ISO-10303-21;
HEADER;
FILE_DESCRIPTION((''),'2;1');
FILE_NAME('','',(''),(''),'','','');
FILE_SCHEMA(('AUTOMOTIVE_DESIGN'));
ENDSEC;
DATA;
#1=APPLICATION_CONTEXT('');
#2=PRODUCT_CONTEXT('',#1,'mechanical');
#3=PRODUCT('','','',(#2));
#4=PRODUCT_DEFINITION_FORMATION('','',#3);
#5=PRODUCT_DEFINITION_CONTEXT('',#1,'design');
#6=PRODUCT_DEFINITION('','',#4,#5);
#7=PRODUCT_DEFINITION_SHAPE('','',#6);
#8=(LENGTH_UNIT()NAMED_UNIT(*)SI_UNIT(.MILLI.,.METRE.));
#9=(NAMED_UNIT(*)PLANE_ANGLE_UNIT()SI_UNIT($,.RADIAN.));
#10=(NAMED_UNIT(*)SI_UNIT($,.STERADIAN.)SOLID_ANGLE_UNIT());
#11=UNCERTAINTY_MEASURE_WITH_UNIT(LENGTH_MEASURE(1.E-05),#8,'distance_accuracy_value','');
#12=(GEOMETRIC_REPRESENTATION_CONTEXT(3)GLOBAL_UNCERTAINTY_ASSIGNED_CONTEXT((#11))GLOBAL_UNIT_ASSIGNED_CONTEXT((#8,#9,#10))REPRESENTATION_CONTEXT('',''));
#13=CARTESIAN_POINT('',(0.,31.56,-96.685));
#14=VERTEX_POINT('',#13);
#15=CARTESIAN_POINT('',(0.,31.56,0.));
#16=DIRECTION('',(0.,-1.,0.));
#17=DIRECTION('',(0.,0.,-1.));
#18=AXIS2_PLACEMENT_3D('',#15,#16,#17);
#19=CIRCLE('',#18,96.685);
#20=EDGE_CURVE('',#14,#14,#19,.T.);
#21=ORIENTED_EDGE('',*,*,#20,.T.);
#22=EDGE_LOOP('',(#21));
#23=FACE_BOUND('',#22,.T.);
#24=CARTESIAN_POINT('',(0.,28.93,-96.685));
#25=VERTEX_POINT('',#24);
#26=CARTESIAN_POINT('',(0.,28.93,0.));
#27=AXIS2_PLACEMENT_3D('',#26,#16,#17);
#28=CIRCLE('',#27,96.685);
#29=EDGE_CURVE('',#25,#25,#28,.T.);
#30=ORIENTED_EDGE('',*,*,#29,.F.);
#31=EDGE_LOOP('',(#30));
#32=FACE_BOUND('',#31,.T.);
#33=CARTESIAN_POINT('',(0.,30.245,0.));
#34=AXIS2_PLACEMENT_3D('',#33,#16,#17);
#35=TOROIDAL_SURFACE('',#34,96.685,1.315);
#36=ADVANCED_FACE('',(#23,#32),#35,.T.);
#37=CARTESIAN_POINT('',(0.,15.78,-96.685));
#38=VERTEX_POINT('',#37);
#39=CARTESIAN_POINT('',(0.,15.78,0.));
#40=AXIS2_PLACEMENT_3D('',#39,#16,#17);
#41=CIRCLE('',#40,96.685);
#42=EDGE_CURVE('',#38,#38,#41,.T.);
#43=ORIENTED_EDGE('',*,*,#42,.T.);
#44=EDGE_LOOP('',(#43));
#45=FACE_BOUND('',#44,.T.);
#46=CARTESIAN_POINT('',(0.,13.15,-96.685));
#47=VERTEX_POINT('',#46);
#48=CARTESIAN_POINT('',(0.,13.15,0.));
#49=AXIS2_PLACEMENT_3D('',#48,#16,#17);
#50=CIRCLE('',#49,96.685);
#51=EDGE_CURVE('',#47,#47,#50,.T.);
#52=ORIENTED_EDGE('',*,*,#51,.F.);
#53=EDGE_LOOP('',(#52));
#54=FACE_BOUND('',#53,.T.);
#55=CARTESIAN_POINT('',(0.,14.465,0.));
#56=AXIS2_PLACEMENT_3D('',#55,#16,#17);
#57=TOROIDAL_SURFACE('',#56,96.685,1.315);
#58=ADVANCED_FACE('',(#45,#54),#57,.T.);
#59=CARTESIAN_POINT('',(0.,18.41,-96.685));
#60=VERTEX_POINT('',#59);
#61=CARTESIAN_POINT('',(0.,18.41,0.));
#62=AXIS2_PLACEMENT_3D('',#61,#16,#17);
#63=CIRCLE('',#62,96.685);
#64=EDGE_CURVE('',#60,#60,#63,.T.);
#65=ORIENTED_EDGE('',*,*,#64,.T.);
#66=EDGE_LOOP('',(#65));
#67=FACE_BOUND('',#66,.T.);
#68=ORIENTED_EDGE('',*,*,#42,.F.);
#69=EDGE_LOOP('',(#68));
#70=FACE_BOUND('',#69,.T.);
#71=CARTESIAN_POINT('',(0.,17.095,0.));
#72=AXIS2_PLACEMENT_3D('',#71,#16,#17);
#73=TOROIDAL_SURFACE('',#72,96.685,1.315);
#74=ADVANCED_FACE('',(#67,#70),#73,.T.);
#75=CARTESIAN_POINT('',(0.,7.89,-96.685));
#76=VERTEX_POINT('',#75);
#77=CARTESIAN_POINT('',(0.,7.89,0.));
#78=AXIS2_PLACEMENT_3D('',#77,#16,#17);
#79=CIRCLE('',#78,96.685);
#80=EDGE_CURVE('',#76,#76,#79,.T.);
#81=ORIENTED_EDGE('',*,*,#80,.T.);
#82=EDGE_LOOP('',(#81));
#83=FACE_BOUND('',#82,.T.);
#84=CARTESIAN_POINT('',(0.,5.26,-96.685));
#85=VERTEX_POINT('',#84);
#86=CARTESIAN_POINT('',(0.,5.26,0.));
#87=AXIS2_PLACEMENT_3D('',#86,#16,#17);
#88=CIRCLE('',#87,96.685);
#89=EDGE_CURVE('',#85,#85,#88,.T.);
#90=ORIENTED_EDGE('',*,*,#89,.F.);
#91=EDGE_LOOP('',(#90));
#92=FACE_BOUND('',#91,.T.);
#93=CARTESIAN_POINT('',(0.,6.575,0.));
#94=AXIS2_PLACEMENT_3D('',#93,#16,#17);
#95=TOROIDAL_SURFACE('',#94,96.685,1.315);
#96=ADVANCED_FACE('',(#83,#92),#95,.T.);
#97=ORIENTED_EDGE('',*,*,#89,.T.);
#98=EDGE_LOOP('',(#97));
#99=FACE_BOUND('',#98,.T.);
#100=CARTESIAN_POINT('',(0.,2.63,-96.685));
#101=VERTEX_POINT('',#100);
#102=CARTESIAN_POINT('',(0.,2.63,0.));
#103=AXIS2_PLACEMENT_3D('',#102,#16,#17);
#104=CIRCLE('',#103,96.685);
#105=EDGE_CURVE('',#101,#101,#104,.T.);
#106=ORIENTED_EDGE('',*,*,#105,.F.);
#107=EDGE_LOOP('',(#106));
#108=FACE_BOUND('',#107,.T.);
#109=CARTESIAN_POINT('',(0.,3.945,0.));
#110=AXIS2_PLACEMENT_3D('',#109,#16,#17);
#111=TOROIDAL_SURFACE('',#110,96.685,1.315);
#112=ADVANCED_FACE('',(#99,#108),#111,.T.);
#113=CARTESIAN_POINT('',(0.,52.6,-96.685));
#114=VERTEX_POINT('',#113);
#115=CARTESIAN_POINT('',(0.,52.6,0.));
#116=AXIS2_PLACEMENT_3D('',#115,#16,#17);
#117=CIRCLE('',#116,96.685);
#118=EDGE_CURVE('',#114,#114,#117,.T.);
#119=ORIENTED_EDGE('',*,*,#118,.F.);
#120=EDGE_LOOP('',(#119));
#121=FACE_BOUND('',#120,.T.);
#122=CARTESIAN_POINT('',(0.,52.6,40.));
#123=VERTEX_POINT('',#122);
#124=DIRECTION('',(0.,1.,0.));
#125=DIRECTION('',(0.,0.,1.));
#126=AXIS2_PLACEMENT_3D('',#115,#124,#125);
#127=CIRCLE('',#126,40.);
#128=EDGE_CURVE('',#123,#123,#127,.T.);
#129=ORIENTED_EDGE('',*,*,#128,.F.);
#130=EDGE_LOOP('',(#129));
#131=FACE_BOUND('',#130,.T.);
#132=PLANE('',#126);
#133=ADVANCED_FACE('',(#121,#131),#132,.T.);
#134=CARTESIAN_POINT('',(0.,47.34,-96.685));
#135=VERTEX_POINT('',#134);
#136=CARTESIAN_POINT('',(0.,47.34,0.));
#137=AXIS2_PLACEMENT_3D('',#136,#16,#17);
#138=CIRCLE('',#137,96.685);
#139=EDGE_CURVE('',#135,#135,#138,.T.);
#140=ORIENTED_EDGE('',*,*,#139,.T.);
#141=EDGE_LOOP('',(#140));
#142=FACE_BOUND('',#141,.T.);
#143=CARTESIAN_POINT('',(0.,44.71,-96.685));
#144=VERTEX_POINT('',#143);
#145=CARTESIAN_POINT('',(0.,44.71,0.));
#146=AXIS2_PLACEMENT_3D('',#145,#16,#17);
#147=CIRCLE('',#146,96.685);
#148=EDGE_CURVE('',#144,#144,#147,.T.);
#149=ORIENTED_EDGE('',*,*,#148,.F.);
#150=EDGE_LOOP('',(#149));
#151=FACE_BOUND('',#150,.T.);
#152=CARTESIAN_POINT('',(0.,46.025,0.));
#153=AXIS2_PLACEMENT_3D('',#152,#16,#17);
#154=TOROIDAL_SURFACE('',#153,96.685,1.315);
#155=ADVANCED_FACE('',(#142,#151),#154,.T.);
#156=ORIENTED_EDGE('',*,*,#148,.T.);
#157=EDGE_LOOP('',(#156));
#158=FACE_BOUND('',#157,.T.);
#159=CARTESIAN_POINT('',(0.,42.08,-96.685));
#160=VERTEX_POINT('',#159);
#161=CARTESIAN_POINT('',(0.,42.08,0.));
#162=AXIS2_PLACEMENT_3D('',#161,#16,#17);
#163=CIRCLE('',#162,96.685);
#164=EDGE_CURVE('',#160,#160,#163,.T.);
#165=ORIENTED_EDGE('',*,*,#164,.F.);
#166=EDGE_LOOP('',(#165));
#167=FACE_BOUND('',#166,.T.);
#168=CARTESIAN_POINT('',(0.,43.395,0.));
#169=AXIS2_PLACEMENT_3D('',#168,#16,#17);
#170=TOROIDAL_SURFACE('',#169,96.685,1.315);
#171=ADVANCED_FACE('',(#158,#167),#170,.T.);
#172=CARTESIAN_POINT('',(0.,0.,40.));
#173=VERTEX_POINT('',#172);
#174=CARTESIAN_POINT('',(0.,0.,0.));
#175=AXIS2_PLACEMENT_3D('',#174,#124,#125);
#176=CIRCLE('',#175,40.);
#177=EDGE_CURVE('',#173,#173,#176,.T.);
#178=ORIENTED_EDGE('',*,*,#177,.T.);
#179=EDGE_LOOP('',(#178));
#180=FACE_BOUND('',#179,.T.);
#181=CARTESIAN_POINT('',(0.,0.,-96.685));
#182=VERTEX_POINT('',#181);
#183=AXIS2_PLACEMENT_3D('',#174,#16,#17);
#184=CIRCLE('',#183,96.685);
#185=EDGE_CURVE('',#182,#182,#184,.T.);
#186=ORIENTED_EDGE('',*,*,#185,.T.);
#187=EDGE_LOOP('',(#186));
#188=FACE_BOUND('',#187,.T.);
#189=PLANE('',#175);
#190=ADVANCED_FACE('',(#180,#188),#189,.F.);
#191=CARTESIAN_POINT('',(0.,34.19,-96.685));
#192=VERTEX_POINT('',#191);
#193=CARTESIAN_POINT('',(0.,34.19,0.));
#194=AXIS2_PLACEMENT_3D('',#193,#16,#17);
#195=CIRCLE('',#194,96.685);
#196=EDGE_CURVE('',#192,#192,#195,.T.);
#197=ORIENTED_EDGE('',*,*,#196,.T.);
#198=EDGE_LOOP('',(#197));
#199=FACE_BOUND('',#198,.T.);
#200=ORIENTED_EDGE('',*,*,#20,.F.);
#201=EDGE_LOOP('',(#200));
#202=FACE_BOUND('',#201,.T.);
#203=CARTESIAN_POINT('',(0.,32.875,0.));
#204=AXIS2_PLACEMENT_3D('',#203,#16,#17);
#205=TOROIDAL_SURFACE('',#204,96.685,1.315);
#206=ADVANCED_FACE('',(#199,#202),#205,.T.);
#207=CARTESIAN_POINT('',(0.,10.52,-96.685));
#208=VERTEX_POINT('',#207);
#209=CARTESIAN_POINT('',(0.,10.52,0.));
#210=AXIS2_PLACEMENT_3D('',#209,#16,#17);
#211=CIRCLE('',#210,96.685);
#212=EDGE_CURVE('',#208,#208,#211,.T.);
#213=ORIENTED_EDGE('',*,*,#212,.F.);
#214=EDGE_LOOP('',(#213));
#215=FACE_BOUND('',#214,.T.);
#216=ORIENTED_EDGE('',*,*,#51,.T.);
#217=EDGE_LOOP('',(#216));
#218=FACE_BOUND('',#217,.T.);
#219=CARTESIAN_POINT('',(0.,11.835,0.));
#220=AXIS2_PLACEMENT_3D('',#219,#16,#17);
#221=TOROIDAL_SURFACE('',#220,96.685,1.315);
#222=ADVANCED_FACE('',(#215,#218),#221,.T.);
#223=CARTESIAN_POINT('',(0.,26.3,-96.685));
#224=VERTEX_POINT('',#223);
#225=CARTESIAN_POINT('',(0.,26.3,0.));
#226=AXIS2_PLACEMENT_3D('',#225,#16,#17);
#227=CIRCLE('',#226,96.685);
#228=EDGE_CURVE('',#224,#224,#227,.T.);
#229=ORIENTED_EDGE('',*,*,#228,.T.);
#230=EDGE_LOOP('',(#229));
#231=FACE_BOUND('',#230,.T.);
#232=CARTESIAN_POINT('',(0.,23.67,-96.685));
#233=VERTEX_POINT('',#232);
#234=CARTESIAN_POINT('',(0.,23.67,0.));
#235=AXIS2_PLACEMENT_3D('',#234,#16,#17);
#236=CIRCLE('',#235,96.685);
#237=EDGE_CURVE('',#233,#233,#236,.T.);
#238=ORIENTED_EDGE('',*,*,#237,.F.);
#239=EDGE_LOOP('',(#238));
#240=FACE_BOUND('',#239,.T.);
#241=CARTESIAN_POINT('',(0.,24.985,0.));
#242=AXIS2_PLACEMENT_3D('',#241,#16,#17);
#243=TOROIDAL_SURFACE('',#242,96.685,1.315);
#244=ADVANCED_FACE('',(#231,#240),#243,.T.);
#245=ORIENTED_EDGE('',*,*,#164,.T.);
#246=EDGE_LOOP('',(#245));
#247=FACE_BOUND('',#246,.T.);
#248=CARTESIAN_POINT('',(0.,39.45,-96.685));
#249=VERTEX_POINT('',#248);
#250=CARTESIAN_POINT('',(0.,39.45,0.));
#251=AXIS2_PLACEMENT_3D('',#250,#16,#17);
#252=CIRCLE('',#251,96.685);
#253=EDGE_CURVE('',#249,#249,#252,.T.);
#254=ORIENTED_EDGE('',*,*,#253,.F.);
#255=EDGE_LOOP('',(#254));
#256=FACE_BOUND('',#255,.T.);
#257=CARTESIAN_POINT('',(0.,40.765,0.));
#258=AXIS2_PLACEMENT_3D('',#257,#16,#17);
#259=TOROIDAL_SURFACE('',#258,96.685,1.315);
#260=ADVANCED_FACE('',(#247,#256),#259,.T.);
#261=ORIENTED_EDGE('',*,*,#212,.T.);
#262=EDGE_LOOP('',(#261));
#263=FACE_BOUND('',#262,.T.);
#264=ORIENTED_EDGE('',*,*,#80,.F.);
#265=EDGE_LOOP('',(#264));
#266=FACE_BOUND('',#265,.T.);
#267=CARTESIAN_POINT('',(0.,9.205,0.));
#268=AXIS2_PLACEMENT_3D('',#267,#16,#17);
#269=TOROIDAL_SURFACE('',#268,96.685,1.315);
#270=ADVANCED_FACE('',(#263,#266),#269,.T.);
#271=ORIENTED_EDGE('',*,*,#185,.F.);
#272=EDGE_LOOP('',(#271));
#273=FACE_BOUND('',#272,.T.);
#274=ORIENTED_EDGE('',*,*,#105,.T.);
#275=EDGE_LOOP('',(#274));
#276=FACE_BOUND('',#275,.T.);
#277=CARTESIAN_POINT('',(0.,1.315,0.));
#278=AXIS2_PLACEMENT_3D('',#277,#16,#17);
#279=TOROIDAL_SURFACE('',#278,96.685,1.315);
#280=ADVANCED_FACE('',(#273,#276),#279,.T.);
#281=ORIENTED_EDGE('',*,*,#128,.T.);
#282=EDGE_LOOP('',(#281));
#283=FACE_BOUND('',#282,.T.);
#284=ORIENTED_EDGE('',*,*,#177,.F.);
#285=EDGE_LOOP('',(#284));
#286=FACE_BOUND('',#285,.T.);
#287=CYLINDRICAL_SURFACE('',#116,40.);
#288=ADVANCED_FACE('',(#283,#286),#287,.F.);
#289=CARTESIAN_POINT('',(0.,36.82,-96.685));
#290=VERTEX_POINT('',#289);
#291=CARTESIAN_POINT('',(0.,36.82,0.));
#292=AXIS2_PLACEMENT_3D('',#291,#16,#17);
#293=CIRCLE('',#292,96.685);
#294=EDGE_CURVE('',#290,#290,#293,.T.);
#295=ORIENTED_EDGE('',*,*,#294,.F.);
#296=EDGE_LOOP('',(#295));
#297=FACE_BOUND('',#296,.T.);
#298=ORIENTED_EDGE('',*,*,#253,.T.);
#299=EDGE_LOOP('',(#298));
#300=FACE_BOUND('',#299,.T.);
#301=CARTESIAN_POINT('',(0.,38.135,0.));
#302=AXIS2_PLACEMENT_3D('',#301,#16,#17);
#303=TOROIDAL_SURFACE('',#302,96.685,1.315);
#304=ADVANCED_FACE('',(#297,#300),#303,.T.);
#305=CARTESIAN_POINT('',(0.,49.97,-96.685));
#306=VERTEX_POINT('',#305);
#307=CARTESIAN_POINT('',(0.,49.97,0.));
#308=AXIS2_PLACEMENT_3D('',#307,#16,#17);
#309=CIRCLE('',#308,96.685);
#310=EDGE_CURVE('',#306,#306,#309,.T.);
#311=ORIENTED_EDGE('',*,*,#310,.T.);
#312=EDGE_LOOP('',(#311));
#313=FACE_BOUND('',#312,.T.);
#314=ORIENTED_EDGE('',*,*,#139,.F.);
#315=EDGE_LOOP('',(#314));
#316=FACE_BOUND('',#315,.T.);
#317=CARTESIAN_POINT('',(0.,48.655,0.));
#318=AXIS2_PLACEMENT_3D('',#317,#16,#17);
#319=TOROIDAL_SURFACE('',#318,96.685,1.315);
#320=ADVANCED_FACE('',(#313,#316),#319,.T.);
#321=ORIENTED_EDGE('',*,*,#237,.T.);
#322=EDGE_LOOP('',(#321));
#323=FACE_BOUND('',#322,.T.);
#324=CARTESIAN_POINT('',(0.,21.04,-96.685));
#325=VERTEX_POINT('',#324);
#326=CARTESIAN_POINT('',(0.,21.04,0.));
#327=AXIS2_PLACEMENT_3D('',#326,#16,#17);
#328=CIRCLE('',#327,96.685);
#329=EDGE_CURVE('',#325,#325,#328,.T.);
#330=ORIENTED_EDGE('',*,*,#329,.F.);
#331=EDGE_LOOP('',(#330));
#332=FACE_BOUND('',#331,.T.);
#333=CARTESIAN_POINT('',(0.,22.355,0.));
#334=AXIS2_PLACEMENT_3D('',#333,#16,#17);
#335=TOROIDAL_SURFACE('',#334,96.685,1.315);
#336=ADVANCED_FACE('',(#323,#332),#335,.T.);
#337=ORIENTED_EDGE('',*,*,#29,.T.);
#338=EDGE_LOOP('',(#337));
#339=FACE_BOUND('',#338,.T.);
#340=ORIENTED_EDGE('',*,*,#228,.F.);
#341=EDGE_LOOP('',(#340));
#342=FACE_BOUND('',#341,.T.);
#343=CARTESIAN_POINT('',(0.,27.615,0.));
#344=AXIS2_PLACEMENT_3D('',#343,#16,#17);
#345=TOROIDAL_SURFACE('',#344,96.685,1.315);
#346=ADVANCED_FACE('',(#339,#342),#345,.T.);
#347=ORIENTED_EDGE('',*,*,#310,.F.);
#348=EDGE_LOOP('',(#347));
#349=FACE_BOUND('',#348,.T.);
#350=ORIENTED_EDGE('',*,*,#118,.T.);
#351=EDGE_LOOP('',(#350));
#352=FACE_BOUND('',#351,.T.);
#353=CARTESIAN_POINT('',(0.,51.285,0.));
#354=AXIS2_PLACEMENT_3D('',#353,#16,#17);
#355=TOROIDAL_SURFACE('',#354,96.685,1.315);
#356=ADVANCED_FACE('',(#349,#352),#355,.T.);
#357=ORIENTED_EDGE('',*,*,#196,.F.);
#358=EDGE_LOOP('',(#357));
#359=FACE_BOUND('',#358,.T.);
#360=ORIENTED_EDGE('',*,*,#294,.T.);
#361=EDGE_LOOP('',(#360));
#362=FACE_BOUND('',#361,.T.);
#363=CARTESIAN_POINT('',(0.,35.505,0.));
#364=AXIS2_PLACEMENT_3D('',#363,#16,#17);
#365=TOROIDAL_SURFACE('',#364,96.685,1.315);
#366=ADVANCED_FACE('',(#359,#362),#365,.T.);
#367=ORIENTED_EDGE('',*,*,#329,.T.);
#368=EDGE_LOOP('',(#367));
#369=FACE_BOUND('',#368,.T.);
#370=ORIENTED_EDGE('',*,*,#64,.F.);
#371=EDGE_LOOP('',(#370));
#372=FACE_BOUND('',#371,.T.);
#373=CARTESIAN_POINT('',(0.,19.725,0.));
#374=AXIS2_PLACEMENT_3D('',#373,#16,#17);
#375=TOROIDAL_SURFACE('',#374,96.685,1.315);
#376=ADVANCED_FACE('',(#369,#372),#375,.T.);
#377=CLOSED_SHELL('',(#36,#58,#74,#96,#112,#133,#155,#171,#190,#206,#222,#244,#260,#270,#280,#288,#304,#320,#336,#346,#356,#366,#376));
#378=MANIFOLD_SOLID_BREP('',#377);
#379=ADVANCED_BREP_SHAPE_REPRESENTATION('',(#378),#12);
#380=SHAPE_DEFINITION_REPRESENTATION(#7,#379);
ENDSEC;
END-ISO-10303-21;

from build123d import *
from build123d.topology import SkipClean

# Parameters (mm, degrees)
SKETCH1_R           = 98
SKETCH1_R_2         = 40
BOSS_EXTRUDE1_DEPTH = 52.6


with BuildPart() as part:
    # Sketch1 → Boss-Extrude1 (new body)
    with BuildSketch(Plane(origin=(0, 0, 0), x_dir=(1, 0, 0), z_dir=(0, 1, 0))):
        with Locations(Location((0, 0, 0), (0, 0, 270))):
            Circle(SKETCH1_R)
        with Locations(Location((0, 0, 0), (0, 0, 270))):
            Circle(SKETCH1_R_2, mode=Mode.SUBTRACT)
    extrude(amount=BOSS_EXTRUDE1_DEPTH)

    # Sketch2 → Cut-Revolve1 (revolve, cut)
    with SkipClean():  # the faces are left unmerged after this step: merging them gives an invalid solid
        with BuildSketch(Plane.XY, mode=Mode.PRIVATE) as cut_revolve1_sk:
            with BuildLine():
                Line((-101.547865046, 52.6), (-101.547865046, 0))
                Line((-101.547865046, 0), (-96.685, 0))
                ThreePointArc((-96.685, 0), (-98, 1.315), (-96.685, 2.63))
                ThreePointArc((-96.685, 2.63), (-98, 3.945), (-96.685, 5.26))
                ThreePointArc((-96.685, 5.26), (-98, 6.575), (-96.685, 7.89))
                ThreePointArc((-96.685, 7.89), (-98, 9.205), (-96.685, 10.52))
                ThreePointArc((-96.685, 10.52), (-98, 11.835), (-96.685, 13.15))
                ThreePointArc((-96.685, 13.15), (-98, 14.465), (-96.685, 15.78))
                ThreePointArc((-96.685, 15.78), (-98, 17.095), (-96.685, 18.41))
                ThreePointArc((-96.685, 18.41), (-98, 19.725), (-96.685, 21.04))
                ThreePointArc((-96.685, 21.04), (-98, 22.355), (-96.685, 23.67))
                ThreePointArc((-96.685, 23.67), (-98, 24.985), (-96.685, 26.3))
                ThreePointArc((-96.685, 26.3), (-98, 27.615), (-96.685, 28.93))
                ThreePointArc((-96.685, 28.93), (-98, 30.245), (-96.685, 31.56))
                ThreePointArc((-96.685, 31.56), (-98, 32.875), (-96.685, 34.19))
                ThreePointArc((-96.685, 34.19), (-98, 35.505), (-96.685, 36.82))
                ThreePointArc((-96.685, 36.82), (-98, 38.135), (-96.685, 39.45))
                ThreePointArc((-96.685, 39.45), (-98, 40.765), (-96.685, 42.08))
                ThreePointArc((-96.685, 42.08), (-98, 43.395), (-96.685, 44.71))
                ThreePointArc((-96.685, 44.71), (-98, 46.025), (-96.685, 47.34))
                ThreePointArc((-96.685, 47.34), (-98, 48.655), (-96.685, 49.97))
                ThreePointArc((-96.685, 49.97), (-98, 51.285), (-96.685, 52.6))
                Line((-96.685, 52.6), (-101.547865046, 52.6))
            make_face()
        revolve(cut_revolve1_sk.sketch.rotate(Axis((0, 0, 0), (0, 1, 0)), 270), axis=Axis((0, 0, 0), (0, 1, 0)), mode=Mode.SUBTRACT)


solid = part.part
